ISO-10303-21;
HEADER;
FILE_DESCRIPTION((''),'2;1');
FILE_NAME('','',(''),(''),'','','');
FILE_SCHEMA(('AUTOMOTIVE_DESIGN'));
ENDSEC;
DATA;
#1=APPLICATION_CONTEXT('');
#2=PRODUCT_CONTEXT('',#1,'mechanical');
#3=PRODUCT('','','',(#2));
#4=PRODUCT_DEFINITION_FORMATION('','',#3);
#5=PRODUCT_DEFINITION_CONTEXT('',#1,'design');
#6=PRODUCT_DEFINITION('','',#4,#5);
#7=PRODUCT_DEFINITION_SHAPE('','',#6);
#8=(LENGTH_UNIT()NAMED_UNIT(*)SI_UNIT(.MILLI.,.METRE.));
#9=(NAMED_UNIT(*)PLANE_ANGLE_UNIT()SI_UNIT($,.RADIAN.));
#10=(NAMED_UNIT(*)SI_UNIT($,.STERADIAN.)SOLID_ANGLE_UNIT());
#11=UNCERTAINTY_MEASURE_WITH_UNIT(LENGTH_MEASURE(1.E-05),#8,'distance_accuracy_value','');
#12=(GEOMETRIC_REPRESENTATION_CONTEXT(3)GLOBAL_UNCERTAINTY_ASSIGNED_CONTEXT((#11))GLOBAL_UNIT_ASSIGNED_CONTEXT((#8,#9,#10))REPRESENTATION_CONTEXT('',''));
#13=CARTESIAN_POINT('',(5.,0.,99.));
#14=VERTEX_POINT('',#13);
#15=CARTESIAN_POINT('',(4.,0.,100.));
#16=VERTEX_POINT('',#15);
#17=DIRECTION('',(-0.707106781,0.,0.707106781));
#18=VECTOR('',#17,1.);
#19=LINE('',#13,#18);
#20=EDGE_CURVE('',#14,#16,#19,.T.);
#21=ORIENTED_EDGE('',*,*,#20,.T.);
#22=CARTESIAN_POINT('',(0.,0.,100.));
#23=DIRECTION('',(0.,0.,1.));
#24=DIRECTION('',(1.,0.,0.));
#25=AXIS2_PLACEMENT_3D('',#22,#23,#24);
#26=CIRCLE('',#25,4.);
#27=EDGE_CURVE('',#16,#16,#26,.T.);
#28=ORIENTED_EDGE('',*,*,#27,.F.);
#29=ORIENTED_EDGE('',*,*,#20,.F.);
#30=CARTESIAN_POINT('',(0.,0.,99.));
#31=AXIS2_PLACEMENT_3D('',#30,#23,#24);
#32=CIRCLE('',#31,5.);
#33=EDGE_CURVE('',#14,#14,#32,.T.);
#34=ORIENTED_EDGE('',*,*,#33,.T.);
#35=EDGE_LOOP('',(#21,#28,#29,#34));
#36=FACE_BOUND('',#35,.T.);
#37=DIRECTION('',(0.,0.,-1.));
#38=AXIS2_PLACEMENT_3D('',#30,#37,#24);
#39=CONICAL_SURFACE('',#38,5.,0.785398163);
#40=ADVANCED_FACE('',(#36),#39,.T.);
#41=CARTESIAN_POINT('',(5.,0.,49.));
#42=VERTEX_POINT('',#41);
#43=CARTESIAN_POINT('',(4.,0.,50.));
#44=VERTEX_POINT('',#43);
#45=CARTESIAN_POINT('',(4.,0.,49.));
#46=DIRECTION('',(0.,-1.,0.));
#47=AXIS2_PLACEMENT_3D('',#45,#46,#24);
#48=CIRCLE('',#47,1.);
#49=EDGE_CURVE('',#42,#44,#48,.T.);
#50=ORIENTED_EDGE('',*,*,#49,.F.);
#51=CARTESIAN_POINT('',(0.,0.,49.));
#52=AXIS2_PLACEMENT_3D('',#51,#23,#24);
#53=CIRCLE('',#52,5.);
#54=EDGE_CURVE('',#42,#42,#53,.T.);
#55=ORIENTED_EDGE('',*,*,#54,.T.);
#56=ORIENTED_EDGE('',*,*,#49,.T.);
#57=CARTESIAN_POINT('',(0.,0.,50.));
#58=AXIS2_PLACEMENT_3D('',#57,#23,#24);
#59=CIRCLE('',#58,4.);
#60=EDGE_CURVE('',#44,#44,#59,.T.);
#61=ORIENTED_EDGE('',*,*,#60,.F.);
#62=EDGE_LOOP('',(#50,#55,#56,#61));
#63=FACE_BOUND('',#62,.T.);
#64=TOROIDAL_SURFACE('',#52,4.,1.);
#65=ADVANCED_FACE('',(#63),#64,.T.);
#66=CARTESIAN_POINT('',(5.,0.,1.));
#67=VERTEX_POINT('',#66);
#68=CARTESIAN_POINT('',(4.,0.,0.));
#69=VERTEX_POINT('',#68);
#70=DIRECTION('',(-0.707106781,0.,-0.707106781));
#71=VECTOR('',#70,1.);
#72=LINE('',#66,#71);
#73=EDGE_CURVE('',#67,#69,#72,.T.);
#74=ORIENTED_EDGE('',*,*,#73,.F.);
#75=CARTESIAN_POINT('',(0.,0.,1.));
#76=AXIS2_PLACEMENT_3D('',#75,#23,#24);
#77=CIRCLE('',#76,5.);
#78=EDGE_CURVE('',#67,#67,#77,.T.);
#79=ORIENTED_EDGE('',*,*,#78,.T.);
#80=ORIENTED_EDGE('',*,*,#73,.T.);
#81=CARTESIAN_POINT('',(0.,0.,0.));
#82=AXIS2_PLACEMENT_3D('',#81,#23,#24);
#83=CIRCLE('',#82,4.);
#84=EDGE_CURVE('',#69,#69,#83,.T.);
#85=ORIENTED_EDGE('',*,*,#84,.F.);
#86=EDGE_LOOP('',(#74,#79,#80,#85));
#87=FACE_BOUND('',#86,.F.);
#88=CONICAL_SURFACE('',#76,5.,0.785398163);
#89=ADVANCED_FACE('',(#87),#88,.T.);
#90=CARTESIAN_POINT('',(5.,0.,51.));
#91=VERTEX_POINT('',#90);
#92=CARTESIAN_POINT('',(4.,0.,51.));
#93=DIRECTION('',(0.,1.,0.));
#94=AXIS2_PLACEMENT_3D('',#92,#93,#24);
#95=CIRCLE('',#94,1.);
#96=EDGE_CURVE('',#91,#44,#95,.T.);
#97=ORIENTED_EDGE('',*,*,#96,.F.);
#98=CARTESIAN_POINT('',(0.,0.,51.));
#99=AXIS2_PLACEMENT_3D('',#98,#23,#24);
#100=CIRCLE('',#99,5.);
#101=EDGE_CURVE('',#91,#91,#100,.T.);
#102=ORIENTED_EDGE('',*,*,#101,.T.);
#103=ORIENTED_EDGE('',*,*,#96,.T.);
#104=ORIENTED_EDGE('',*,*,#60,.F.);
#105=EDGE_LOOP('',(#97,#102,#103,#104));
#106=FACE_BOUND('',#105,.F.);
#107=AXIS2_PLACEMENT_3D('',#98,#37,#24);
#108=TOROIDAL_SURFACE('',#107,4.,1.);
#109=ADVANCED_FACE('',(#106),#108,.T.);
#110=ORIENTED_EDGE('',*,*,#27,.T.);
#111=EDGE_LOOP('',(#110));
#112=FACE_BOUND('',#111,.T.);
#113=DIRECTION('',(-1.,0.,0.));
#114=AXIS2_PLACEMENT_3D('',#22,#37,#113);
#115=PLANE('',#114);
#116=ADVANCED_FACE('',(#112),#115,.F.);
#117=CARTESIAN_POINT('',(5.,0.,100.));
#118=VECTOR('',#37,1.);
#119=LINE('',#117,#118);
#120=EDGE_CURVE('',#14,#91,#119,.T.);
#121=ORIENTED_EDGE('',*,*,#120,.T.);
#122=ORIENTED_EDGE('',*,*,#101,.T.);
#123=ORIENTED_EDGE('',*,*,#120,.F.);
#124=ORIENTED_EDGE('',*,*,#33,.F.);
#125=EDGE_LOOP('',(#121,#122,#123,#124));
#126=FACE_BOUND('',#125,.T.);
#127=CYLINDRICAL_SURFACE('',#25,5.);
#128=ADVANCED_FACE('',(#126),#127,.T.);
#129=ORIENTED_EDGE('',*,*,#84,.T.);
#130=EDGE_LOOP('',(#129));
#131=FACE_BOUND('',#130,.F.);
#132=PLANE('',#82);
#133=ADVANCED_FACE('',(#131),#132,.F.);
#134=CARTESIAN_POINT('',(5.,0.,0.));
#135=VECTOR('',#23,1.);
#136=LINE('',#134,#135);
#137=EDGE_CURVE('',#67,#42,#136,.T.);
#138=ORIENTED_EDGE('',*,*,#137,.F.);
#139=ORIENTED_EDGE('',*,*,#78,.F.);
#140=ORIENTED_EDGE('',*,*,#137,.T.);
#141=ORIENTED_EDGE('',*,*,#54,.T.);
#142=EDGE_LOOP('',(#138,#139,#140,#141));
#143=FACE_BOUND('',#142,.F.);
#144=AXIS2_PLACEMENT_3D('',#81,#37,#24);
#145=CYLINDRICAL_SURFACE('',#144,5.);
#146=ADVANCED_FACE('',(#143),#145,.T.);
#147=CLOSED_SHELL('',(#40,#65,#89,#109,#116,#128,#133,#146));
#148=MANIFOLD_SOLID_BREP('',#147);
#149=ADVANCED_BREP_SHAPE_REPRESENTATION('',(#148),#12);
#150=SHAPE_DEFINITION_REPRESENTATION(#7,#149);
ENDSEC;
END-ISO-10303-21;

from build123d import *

# Parameters (mm, degrees)
F0_R     = 5
F1_DEPTH = 50
F2_R     = 1
F3_SIZE  = 1


with BuildPart() as f1:
    # F0 (on Top) → F1 (new body)
    with BuildSketch(Plane.XY):
        Circle(F0_R)
    extrude(amount=F1_DEPTH)

    # F2
    f2_edges = [f1.edges().sort_by_distance(p)[0] for p in [
        (-5, 0, 50),
    ]]
    fillet(f2_edges, radius=F2_R)

    # F3
    f3_edges = [f1.edges().sort_by_distance(p)[0] for p in [
        (-5, 0, 0),
    ]]
    chamfer(f3_edges, length=F3_SIZE)

    # F4: F1 across face


with BuildPart() as f1_1:
    add(f1.part)
    add(f1.part.mirror(Plane.XY.offset(50)))


solid = f1_1.part
